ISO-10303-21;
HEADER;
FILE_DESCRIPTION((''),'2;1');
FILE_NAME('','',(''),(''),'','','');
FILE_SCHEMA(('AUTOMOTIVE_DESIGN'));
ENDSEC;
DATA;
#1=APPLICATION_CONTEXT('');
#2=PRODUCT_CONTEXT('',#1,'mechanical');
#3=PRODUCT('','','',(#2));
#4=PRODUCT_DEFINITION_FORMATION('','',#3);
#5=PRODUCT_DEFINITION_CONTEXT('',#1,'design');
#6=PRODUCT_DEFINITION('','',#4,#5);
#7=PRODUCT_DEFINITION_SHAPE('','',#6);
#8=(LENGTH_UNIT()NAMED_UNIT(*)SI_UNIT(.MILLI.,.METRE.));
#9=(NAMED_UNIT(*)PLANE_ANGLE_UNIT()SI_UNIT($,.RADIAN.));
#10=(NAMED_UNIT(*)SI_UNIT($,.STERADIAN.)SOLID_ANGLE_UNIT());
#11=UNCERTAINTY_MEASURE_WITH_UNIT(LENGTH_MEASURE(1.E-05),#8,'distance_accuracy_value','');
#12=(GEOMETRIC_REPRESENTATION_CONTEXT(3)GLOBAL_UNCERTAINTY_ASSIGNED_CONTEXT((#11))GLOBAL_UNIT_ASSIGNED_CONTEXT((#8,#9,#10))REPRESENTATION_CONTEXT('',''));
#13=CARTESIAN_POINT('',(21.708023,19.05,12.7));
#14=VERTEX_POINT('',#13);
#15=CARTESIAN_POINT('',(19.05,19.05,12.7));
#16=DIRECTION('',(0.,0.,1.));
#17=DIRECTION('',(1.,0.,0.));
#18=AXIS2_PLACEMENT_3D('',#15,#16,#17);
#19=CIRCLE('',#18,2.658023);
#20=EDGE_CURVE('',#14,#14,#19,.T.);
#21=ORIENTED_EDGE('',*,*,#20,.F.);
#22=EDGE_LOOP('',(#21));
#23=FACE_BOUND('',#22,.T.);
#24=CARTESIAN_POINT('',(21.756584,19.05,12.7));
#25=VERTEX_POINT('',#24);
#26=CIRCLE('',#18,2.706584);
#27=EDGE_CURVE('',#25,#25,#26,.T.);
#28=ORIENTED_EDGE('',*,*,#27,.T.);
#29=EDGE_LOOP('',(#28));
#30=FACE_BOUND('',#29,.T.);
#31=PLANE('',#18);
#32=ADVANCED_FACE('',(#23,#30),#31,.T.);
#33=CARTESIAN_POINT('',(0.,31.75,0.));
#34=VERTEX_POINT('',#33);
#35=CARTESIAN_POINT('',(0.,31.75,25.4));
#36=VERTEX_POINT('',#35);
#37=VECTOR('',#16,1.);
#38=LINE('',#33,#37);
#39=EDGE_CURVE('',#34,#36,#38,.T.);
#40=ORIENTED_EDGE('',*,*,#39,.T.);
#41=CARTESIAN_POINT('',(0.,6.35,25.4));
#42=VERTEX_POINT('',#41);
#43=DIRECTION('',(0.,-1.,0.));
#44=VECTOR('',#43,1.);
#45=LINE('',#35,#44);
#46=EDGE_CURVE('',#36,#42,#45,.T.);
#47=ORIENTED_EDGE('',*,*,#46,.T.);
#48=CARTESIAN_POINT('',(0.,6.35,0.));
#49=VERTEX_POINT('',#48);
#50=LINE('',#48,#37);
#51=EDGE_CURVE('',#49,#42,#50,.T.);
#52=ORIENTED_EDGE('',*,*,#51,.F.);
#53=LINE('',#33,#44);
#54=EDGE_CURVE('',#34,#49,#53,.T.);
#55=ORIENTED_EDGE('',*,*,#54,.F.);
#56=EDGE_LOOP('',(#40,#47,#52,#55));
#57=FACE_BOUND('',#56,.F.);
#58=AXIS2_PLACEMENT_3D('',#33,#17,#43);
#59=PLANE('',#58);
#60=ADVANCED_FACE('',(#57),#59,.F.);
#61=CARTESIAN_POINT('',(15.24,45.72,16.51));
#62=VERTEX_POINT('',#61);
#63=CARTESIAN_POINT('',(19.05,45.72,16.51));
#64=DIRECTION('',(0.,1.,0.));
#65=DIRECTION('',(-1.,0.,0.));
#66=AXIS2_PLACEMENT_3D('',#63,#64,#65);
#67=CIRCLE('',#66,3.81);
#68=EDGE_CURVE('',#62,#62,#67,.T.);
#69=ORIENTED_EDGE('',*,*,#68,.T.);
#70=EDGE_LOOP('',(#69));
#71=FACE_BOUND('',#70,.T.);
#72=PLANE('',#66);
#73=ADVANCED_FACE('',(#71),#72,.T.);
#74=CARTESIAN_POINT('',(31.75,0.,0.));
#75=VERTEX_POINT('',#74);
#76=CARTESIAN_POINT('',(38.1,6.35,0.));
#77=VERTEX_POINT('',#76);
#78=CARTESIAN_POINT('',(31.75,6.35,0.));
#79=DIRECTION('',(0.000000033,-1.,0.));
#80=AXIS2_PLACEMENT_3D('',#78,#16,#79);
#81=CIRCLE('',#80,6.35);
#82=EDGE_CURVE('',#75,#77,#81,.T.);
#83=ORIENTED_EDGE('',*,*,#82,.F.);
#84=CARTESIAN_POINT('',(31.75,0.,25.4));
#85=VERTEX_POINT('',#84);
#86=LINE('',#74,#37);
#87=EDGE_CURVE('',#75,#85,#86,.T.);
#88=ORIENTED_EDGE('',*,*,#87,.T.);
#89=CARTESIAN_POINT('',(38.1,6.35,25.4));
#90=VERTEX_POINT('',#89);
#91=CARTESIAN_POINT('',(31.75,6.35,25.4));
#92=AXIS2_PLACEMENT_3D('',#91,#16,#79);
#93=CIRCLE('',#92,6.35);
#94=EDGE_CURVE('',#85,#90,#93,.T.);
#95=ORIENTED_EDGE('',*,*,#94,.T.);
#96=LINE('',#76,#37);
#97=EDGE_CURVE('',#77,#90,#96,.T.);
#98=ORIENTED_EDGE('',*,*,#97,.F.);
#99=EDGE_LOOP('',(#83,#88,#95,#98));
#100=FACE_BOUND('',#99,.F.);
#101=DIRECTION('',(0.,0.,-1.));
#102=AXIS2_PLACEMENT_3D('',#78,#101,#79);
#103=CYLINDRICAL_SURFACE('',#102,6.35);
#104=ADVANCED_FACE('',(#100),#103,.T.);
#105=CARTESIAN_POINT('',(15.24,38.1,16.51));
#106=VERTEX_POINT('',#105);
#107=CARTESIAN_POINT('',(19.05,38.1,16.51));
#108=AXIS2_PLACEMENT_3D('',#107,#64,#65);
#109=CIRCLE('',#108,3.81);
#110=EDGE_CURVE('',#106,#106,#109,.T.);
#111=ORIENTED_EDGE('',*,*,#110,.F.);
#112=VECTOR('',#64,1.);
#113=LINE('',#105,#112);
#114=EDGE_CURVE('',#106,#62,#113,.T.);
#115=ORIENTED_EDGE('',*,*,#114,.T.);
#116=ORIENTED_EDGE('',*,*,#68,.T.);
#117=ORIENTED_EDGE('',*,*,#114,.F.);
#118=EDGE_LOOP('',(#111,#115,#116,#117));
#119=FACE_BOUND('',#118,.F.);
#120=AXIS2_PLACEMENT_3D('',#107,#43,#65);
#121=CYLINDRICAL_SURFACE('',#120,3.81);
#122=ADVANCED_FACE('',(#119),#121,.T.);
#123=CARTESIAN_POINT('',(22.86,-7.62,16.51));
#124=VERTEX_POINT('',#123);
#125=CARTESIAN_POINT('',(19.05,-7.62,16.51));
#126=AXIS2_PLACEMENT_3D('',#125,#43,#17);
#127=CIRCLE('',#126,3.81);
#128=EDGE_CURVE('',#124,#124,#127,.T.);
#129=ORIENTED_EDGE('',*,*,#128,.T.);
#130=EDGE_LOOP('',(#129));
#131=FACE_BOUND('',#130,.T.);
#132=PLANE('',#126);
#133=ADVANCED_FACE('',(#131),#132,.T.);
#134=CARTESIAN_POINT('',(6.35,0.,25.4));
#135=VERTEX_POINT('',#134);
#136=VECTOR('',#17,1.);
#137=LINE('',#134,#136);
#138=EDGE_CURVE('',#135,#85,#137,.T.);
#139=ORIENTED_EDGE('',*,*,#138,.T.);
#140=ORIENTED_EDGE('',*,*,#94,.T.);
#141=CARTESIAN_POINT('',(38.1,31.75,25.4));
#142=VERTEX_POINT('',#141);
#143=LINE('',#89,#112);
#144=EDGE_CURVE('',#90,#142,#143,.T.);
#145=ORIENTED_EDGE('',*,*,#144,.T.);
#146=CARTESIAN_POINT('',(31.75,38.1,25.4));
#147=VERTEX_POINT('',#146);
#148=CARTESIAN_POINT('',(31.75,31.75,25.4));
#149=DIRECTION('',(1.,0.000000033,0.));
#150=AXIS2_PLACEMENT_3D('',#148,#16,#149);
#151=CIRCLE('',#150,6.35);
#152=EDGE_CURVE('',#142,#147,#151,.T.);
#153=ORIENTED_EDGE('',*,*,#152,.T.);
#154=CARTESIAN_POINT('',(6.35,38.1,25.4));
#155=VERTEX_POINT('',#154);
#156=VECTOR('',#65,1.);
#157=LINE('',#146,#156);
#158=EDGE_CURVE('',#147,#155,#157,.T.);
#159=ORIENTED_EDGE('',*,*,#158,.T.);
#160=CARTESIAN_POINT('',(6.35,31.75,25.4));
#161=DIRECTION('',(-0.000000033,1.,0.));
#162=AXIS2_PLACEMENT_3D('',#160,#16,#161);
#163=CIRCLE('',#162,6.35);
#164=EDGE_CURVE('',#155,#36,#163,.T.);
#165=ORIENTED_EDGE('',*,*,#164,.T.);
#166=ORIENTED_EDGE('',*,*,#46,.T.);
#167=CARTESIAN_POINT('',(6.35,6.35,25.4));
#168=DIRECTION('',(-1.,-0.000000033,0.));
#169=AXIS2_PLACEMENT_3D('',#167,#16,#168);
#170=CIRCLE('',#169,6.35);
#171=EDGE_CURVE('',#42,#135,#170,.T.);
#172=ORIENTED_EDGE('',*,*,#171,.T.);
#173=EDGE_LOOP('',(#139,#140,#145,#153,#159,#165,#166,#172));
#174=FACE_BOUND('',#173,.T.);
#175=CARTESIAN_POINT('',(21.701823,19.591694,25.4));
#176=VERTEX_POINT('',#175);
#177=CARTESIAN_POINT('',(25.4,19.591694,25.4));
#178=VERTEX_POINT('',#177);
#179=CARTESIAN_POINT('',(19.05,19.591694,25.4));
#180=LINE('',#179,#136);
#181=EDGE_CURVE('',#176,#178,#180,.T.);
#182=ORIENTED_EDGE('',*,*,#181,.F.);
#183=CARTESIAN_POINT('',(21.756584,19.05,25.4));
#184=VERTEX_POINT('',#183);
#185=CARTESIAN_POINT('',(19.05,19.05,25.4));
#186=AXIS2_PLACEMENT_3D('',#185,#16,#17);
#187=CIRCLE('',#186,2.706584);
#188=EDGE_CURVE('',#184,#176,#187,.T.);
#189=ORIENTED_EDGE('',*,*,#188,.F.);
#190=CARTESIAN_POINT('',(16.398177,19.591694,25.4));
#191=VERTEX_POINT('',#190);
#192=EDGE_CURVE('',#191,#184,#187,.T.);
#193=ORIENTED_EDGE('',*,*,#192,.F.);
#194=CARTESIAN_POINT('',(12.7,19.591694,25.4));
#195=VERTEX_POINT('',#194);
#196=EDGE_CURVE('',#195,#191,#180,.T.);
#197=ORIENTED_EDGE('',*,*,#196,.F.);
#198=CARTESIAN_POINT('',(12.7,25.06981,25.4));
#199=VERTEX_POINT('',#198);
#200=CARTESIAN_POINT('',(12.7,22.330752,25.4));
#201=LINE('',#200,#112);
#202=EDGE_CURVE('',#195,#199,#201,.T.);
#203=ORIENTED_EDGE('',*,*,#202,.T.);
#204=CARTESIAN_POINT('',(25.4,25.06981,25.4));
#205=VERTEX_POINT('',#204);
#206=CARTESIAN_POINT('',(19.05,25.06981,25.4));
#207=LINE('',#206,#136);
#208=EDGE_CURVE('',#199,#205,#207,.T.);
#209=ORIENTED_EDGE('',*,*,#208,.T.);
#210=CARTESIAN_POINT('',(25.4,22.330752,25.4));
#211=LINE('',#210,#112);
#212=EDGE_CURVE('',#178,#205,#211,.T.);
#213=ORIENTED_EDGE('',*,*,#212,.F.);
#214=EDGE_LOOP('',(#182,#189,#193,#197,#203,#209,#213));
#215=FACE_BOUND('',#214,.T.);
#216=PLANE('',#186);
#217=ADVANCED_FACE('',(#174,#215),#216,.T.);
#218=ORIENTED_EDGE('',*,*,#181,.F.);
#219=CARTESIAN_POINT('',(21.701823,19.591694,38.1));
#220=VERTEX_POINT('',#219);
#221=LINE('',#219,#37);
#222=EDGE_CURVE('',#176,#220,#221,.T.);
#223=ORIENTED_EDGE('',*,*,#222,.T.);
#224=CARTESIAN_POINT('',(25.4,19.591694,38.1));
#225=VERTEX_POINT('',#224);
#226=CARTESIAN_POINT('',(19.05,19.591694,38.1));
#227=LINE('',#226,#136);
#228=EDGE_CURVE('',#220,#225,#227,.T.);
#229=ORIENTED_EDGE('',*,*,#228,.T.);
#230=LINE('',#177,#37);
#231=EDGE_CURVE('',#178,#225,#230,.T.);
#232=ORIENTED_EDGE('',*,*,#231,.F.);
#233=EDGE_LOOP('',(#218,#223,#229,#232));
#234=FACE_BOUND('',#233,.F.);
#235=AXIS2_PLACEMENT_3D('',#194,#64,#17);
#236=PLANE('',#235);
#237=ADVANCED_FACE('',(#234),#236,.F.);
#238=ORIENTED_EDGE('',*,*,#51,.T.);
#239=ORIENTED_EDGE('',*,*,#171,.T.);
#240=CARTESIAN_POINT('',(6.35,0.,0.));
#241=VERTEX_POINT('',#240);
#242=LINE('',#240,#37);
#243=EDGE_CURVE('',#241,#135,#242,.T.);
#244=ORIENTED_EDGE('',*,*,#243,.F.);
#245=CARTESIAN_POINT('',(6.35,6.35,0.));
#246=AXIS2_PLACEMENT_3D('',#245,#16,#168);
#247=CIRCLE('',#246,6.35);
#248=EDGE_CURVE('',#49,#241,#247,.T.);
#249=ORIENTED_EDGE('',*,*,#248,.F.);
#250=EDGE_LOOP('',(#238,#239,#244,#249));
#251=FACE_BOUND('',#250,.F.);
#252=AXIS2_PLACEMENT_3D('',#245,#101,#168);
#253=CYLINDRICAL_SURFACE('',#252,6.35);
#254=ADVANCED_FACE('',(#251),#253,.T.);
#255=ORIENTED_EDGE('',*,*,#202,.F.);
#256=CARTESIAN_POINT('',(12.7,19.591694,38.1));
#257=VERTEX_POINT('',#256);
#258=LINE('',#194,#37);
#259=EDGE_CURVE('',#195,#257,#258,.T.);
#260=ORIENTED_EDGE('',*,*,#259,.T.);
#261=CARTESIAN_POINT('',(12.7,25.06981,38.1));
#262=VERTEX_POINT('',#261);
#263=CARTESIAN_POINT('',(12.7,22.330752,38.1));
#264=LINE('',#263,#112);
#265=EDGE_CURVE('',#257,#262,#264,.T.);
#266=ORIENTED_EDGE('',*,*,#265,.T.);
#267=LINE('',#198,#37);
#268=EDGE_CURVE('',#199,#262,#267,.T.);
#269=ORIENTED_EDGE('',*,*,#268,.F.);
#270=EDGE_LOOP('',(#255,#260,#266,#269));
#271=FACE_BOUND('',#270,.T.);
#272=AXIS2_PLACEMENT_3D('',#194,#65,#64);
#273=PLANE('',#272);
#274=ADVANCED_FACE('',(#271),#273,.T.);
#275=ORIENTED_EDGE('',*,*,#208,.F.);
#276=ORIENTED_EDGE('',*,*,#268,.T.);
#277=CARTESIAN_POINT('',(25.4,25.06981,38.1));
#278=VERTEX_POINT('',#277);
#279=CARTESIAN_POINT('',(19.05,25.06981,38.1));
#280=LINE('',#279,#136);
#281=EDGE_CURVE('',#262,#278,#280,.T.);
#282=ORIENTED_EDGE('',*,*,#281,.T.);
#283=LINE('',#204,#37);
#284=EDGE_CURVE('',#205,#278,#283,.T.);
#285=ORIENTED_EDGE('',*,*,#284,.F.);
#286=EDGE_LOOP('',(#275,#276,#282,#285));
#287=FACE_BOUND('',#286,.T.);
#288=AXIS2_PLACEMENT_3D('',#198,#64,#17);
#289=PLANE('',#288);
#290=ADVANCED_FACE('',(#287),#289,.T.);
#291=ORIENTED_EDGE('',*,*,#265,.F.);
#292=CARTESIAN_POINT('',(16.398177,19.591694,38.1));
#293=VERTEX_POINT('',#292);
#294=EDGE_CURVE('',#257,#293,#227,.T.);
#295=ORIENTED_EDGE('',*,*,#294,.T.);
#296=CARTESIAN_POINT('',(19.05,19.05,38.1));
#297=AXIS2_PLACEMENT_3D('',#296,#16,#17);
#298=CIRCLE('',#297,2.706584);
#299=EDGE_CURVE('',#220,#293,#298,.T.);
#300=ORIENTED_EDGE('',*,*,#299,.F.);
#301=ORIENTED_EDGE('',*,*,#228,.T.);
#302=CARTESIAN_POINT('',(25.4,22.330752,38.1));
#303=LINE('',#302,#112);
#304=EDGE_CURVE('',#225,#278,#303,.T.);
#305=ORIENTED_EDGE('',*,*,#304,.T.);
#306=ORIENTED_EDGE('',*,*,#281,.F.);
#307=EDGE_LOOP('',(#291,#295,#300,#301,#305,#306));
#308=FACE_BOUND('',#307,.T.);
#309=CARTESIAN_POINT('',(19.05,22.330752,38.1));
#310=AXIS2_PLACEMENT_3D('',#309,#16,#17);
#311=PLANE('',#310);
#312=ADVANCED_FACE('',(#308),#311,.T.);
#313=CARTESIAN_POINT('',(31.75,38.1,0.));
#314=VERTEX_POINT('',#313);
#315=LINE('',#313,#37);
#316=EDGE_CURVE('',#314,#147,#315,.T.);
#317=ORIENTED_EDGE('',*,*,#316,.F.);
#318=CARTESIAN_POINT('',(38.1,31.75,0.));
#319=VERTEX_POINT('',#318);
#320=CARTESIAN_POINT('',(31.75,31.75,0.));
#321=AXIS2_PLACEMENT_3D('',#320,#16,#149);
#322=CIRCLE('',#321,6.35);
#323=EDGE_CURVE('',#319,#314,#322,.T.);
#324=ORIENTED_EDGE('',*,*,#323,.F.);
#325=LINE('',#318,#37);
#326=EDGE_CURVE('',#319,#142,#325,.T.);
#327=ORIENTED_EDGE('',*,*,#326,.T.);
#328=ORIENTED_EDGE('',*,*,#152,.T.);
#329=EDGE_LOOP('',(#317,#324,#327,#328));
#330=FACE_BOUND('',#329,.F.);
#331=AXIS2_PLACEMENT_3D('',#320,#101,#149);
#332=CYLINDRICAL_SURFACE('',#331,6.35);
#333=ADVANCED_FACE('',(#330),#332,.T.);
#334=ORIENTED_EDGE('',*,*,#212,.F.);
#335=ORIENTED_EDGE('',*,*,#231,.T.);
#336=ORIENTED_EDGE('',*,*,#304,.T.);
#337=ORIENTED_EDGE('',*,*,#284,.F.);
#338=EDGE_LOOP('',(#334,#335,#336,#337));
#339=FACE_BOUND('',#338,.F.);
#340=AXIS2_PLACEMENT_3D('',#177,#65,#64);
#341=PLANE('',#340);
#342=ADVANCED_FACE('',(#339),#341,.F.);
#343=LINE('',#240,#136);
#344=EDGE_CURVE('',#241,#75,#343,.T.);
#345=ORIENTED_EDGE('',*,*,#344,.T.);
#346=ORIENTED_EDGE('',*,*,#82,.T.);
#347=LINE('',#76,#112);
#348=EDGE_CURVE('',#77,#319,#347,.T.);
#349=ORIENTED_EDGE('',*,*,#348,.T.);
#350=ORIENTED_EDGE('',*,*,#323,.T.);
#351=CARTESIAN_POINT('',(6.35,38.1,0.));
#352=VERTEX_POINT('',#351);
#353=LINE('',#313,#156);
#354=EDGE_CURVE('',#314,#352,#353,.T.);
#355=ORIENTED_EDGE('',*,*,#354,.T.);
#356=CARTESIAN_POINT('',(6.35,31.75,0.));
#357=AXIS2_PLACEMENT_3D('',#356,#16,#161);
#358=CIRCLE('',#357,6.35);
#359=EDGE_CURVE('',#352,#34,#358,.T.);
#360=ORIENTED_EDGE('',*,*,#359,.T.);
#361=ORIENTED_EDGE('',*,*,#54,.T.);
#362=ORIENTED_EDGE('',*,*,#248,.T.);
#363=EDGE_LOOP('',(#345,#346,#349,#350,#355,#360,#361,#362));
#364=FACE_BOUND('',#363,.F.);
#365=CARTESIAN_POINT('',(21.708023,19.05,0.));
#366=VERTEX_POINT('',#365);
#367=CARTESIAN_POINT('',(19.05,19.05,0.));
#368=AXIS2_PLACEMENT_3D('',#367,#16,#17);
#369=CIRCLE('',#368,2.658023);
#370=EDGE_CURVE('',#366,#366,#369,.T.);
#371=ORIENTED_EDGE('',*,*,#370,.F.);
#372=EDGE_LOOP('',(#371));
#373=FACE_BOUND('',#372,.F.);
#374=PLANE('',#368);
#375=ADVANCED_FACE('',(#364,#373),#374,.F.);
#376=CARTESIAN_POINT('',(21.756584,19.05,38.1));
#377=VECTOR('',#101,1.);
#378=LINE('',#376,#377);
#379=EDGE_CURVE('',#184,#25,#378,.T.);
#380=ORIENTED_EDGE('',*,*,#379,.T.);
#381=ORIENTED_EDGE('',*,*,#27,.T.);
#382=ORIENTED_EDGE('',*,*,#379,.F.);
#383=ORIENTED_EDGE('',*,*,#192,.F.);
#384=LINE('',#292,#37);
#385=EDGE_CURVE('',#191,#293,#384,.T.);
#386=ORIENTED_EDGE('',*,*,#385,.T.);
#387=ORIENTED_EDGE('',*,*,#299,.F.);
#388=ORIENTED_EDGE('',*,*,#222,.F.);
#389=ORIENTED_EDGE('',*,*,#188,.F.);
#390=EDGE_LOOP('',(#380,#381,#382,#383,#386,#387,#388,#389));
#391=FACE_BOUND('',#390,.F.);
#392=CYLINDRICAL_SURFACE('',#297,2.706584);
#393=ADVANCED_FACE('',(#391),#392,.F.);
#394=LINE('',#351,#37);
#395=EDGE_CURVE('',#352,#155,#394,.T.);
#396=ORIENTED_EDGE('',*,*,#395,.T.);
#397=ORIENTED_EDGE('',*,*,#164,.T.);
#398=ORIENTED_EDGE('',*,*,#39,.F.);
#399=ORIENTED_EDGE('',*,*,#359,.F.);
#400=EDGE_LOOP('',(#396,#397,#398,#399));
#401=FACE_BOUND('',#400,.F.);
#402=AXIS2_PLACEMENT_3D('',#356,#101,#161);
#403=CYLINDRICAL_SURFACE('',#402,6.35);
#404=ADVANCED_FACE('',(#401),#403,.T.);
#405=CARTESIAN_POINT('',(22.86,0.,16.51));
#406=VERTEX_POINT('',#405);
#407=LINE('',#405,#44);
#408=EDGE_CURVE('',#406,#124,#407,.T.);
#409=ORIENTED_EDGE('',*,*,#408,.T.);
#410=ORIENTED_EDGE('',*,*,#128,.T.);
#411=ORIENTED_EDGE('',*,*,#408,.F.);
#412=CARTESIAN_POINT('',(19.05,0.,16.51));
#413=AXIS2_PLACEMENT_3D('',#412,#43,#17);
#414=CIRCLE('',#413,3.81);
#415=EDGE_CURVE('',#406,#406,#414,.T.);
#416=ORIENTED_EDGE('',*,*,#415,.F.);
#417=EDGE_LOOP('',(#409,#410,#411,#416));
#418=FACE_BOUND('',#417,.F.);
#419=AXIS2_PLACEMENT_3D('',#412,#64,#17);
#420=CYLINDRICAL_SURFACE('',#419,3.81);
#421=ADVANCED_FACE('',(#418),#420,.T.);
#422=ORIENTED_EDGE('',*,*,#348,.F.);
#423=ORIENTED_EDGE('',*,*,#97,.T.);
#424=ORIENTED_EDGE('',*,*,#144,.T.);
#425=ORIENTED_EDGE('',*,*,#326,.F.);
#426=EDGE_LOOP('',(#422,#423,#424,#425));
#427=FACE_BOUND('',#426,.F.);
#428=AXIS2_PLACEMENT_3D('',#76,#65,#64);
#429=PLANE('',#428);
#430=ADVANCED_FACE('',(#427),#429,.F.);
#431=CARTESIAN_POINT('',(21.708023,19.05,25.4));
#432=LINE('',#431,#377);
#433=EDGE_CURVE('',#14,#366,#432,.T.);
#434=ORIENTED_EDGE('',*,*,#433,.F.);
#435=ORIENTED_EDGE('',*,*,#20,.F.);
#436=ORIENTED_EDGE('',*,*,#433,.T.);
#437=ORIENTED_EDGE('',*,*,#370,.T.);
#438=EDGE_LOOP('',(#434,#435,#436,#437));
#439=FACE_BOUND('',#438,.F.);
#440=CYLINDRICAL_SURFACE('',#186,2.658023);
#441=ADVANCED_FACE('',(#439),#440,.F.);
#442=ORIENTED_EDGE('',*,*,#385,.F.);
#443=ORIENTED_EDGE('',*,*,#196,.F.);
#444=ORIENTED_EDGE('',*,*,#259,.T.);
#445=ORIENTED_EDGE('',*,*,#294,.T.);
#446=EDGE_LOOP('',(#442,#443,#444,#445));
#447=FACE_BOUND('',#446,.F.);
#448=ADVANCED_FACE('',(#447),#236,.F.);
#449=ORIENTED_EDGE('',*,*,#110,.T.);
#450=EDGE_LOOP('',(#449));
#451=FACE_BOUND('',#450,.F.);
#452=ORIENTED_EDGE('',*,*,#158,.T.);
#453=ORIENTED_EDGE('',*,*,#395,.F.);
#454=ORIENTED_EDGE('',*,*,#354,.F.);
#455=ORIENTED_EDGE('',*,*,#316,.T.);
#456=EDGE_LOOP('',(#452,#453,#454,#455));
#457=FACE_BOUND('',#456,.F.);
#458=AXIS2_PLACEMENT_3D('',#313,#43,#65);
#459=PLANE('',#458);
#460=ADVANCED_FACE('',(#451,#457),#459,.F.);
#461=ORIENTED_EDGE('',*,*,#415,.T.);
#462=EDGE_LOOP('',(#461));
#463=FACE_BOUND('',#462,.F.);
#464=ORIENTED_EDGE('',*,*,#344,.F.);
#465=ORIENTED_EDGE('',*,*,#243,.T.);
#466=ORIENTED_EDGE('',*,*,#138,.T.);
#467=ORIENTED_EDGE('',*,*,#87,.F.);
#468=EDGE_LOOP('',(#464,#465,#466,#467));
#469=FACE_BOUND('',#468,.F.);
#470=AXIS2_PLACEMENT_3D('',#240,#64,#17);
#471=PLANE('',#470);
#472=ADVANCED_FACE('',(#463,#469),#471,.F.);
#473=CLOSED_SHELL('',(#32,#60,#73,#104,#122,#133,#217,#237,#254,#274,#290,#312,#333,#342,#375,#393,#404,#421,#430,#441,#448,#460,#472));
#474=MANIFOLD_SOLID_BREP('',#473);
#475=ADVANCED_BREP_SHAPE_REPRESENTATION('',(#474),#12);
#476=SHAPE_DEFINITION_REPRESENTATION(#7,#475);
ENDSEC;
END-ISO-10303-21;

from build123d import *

# Parameters (mm, degrees)
F1_DEPTH  = 25.4
F4_W      = 12.7
F4_H      = 5.478115
F5_DEPTH  = 12.7
F3_R      = 2.658023
F6_DEPTH  = 25.4
F7_R      = 2.706584
F8_DEPTH  = 25.4
F9_R      = 3.81
F11_DEPTH = 7.62
F10_R     = 3.81
F12_DEPTH = 7.62


with BuildPart() as f1:
    # F0 (on Top) → F1 (new body)
    with BuildSketch(Plane.XY):
        with BuildLine():
            ThreePointArc((0, 6.35), (1.859872, 1.859872), (6.35, 0))
            Line((6.35, 0), (31.75, 0))
            ThreePointArc((31.75, 0), (36.240128, 1.859872), (38.1, 6.35))
            Line((38.1, 6.35), (38.1, 31.75))
            ThreePointArc((38.1, 31.75), (36.240128, 36.240128), (31.75, 38.1))
            Line((31.75, 38.1), (6.35, 38.1))
            ThreePointArc((6.35, 38.1), (1.859872, 36.240128), (0, 31.75))
            Line((0, 31.75), (0, 6.35))
        make_face()
    extrude(amount=F1_DEPTH)

    # F4 (on face) → F5 (join)
    with BuildSketch(Plane.XY.offset(25.4)):
        with Locations((19.05, 22.330752)):
            Rectangle(F4_W, F4_H)
    extrude(amount=F5_DEPTH)

    # F3 (on face) → F6 (cut)
    with BuildSketch(Plane.XY.offset(25.4)):
        with Locations((19.05, 19.05)):
            Circle(F3_R)
    extrude(amount=-F6_DEPTH, mode=Mode.SUBTRACT)

    # F7 (on face) → F8 (cut)
    with BuildSketch(Plane.XY.offset(38.1)):
        with Locations((19.05, 19.05)):
            Circle(F7_R)
    extrude(amount=-F8_DEPTH, mode=Mode.SUBTRACT)

    # F9 (on face) → F11 (join)
    with BuildSketch(Plane.XZ):
        with Locations((19.05, 16.51)):
            Circle(F9_R)
    extrude(amount=F11_DEPTH)

    # F10 (on face) → F12 (join)
    with BuildSketch(Plane(origin=(0, 38.1, 0), x_dir=(-1, 0, 0), z_dir=(0, 1, 0))):
        with Locations((-19.05, 16.51)):
            Circle(F10_R)
    extrude(amount=F12_DEPTH)


solid = f1.part
